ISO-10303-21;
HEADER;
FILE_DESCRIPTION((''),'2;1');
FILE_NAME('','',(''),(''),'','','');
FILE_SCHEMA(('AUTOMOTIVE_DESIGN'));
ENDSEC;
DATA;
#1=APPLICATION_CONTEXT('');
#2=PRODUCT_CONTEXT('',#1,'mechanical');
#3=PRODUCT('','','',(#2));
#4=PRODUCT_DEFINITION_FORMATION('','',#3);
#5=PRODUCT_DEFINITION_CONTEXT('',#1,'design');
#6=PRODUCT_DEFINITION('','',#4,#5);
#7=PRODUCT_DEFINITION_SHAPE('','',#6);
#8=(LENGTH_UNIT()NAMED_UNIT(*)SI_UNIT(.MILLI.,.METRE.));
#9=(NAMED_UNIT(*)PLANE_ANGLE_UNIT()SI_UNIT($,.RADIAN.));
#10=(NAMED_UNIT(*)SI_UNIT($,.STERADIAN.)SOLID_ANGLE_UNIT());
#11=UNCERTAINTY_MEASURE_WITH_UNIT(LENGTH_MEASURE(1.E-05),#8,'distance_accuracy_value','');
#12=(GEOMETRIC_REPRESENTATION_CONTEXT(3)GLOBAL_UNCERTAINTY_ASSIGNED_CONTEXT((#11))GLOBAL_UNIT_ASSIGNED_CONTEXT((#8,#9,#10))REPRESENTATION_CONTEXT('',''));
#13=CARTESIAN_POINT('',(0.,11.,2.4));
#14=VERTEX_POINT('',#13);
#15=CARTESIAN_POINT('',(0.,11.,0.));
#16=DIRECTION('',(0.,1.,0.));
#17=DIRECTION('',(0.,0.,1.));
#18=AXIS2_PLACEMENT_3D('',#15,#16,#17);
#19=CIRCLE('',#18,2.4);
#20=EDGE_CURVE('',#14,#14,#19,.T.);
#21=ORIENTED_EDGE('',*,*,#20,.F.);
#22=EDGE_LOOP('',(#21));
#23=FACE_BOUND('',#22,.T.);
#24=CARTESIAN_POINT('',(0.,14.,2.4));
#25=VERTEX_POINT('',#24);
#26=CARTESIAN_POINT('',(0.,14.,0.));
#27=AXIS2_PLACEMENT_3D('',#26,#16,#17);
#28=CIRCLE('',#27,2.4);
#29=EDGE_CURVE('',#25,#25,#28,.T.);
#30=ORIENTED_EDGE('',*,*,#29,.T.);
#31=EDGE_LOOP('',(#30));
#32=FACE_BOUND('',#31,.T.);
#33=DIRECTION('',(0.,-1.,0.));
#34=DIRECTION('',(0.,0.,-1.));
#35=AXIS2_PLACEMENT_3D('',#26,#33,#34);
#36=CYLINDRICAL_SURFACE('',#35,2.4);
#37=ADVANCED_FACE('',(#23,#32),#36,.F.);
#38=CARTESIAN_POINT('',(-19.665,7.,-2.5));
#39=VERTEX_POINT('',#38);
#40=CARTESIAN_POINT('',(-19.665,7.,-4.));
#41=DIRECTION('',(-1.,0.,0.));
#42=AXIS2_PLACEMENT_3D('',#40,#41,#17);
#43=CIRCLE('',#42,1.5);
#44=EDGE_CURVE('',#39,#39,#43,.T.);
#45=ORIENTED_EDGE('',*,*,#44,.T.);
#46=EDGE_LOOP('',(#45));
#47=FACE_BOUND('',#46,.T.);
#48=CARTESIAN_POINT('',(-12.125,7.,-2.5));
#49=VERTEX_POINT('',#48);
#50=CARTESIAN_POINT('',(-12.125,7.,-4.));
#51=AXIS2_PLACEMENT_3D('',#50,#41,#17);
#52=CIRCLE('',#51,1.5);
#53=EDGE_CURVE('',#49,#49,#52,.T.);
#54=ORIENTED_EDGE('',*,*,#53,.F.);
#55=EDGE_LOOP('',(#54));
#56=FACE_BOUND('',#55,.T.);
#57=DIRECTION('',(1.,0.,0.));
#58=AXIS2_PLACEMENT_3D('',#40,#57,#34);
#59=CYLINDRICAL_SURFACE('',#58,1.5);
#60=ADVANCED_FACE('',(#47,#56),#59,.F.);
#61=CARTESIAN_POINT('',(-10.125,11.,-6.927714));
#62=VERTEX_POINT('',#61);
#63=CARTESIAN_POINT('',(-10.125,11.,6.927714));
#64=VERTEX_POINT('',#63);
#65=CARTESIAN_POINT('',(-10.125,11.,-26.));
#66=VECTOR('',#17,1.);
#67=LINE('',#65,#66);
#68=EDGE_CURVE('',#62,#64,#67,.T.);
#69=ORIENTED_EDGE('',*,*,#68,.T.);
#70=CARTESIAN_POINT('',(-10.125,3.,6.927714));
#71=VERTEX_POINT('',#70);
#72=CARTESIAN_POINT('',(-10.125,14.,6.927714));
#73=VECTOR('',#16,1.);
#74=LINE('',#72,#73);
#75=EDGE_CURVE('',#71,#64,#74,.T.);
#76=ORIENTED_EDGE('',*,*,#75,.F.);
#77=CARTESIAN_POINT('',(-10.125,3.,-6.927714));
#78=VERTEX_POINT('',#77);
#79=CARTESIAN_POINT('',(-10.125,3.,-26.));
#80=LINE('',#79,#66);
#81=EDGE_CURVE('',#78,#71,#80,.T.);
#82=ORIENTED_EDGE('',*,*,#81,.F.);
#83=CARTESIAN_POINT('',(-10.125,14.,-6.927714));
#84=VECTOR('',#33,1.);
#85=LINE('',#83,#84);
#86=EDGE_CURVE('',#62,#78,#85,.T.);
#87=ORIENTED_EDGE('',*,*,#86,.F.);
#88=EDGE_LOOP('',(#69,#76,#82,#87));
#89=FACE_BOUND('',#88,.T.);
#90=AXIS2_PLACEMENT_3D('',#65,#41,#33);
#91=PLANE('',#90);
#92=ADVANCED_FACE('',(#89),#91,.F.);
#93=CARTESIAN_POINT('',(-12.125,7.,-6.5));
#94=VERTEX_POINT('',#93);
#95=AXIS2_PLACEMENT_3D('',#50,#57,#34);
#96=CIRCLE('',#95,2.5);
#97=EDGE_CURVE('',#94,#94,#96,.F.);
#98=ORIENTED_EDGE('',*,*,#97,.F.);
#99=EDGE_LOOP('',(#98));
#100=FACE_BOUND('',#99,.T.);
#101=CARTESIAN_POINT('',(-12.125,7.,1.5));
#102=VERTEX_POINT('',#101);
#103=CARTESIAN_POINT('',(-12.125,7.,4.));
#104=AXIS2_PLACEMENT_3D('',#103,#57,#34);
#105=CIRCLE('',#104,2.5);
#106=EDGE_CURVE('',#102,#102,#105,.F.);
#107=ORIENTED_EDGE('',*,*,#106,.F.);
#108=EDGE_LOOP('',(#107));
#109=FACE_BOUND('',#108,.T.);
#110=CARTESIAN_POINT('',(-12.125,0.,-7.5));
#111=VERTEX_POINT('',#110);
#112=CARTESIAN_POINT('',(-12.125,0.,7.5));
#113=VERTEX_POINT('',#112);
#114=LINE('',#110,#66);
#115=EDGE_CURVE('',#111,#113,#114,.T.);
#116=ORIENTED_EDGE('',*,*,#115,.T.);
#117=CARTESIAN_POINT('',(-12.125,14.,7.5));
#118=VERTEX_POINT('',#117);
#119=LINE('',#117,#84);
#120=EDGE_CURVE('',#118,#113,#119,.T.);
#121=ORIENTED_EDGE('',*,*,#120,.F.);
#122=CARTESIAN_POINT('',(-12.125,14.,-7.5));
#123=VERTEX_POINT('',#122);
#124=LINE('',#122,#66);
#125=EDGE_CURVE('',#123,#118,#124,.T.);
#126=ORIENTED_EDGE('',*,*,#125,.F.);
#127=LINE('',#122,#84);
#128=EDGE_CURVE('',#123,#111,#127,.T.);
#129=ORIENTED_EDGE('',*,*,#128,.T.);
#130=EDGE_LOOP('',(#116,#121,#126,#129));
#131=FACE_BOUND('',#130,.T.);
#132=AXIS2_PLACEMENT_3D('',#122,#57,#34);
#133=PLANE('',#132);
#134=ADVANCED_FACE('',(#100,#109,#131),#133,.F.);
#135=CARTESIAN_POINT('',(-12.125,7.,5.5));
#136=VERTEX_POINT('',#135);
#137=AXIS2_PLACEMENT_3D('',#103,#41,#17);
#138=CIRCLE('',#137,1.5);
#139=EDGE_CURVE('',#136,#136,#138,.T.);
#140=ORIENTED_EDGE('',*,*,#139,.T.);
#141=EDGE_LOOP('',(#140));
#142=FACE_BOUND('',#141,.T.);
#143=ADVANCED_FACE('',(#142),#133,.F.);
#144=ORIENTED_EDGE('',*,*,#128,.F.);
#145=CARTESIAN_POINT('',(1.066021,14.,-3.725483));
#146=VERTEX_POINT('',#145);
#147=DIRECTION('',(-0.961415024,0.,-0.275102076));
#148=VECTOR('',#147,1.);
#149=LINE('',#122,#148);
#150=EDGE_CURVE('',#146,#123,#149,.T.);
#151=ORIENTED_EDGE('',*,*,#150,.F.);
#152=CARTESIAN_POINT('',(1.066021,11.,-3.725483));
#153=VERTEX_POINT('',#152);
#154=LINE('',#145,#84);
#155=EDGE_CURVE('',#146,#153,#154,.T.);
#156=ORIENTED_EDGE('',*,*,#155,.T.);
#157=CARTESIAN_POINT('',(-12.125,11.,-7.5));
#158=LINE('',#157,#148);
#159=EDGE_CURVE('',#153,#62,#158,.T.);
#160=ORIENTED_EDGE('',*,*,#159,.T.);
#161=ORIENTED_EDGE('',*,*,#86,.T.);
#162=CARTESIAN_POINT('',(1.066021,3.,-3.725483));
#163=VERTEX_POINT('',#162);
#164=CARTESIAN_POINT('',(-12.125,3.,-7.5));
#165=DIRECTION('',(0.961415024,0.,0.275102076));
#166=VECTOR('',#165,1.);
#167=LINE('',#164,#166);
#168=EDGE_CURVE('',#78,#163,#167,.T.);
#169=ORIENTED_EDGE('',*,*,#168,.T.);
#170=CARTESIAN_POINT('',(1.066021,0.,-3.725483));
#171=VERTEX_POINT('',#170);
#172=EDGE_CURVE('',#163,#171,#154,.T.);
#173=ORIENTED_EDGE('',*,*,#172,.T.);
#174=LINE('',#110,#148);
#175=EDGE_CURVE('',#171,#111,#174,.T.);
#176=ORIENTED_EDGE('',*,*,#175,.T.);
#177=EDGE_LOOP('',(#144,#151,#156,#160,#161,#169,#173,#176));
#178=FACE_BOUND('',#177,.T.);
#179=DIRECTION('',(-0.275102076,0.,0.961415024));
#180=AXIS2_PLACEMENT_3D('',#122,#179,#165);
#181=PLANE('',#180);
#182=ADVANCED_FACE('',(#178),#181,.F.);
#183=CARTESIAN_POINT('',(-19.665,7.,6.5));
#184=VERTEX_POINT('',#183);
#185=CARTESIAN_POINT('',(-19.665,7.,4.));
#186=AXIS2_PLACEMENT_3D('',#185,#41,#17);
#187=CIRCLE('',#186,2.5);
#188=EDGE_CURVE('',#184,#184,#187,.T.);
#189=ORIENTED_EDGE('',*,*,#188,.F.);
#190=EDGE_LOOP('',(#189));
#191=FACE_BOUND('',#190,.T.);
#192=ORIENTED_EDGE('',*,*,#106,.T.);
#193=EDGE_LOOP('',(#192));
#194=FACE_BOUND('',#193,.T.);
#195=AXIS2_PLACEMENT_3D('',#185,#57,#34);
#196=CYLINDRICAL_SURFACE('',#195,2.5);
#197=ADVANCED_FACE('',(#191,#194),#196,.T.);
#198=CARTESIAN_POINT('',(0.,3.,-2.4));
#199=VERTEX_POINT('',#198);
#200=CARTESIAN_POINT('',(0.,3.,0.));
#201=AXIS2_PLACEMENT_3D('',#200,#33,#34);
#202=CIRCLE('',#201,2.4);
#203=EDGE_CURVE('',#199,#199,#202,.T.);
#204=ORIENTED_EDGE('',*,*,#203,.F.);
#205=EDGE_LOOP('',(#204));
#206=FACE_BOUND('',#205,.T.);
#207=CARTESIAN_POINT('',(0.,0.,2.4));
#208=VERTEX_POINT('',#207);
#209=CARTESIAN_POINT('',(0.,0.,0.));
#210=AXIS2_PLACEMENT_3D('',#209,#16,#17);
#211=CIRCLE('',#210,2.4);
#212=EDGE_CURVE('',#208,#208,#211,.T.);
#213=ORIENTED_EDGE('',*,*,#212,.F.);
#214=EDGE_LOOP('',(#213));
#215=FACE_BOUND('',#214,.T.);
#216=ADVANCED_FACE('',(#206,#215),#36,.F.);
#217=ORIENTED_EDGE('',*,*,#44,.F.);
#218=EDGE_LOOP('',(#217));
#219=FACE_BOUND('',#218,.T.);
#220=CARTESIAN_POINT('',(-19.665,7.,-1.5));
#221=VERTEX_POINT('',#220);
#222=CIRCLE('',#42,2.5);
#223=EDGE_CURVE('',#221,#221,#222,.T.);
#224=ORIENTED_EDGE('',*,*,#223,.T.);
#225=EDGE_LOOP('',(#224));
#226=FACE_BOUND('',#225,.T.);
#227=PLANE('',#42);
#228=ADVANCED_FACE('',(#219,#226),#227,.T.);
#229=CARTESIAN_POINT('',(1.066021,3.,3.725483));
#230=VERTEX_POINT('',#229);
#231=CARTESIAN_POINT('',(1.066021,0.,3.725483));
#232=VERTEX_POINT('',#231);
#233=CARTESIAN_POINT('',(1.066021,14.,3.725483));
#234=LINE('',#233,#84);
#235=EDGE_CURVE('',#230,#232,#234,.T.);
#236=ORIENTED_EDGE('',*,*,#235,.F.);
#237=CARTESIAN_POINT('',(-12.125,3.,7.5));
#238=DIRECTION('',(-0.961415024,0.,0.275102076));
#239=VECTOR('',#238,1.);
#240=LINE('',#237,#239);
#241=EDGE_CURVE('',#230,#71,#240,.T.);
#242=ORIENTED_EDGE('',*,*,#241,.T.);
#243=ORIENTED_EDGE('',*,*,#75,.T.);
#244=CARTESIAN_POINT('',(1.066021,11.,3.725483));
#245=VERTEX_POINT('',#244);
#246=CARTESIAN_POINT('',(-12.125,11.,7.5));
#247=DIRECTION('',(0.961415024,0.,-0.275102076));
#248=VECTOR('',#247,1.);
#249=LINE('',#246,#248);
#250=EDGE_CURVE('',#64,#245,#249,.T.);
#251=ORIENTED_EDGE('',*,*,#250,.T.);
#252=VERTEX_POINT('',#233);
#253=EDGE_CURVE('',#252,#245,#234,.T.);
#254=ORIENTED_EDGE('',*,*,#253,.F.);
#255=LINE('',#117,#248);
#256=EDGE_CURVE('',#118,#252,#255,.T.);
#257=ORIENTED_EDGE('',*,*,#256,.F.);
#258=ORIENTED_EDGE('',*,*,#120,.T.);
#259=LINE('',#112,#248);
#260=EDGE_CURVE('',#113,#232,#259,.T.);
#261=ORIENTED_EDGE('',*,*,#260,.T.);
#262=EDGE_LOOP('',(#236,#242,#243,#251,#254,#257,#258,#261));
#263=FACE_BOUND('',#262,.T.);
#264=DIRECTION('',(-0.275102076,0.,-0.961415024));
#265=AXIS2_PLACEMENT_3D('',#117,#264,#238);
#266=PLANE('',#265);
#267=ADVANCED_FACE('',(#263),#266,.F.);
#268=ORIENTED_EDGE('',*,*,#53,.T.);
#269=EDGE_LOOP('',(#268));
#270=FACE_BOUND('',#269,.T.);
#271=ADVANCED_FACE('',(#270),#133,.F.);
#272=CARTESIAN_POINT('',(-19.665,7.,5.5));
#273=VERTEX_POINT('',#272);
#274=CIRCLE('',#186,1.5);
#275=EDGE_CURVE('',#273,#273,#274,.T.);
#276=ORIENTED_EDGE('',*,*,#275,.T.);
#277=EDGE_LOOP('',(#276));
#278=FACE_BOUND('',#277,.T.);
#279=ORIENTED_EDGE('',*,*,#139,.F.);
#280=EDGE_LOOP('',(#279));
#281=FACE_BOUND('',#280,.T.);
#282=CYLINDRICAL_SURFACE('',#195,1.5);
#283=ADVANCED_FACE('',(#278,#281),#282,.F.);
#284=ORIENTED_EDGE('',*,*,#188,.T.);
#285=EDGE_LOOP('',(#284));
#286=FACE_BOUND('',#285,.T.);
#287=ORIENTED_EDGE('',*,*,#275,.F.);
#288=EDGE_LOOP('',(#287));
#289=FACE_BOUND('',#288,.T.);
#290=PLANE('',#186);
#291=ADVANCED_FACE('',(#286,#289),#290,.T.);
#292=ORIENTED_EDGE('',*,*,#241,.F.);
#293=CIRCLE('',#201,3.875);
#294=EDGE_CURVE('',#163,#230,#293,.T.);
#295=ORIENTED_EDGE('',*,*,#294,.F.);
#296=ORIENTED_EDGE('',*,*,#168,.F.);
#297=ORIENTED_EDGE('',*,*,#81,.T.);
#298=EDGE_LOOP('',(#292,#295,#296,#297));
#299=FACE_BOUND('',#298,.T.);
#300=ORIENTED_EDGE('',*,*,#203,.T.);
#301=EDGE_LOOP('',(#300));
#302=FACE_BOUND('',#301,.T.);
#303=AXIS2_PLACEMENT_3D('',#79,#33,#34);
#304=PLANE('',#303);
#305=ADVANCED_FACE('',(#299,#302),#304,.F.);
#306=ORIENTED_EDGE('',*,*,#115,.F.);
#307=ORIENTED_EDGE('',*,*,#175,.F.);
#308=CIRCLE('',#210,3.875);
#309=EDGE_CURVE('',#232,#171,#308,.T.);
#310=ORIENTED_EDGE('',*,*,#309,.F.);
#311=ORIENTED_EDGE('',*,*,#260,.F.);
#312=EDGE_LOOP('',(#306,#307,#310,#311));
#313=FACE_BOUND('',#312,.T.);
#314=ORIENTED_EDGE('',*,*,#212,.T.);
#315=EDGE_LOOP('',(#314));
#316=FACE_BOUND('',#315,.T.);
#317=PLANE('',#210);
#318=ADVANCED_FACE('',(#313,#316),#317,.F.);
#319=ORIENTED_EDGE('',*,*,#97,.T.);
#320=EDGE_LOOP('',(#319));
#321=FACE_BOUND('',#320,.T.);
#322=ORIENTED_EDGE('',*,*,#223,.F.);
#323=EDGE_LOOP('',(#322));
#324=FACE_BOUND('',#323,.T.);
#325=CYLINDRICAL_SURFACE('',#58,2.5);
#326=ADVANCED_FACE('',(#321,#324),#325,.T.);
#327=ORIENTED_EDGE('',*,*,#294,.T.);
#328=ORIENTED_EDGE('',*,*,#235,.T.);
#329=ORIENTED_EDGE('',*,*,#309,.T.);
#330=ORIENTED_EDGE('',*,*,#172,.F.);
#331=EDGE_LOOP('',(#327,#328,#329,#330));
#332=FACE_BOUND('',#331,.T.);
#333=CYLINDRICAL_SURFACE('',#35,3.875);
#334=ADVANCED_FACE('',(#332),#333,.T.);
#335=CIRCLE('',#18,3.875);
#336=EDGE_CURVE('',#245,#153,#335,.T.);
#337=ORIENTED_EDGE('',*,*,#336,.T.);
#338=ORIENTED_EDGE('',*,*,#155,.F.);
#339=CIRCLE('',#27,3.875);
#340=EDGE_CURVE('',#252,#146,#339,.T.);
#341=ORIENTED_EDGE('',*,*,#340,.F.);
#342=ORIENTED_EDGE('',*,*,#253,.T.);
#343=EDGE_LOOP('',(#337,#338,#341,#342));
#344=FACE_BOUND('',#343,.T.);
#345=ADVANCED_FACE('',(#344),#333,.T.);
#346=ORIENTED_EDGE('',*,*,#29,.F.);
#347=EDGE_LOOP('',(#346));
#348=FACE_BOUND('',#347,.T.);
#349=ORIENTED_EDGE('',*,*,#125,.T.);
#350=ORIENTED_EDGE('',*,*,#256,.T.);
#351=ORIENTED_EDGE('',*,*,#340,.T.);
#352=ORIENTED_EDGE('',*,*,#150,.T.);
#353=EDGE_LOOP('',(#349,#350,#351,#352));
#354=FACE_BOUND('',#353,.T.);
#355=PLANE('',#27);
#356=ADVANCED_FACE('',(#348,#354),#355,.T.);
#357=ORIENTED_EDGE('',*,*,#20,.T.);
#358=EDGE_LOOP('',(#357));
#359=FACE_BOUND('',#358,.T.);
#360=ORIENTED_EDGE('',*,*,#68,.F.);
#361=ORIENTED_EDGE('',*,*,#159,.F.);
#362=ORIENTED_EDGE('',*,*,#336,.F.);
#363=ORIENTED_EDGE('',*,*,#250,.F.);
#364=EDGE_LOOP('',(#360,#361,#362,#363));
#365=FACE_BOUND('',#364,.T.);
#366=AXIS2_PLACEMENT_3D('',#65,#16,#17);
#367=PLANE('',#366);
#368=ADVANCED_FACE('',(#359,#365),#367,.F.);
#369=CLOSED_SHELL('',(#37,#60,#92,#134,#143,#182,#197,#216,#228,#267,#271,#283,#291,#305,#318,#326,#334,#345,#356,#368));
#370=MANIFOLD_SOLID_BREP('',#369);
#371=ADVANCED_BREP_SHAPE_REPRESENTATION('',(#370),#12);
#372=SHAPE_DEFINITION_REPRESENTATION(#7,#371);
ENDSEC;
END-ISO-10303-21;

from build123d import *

# Parameters (mm, degrees)
SKETCH1_R           = 2.4
BOSS_EXTRUDE1_DEPTH = 14
SKETCH3_W           = 16.77722104
SKETCH3_H           = 8
CUT_EXTRUDE2_DEPTH  = 26
SKETCH4_R           = 2.5
SKETCH4_R_2         = 1.5
BOSS_EXTRUDE2_DEPTH = 7.54


with BuildPart() as part:
    # Sketch1 → Boss-Extrude1 (new body)
    with BuildSketch(Plane(origin=(0, 0, 0), x_dir=(1, 0, 0), z_dir=(0, 1, 0))):
        with BuildLine():
            Line((-12.125, 7.5), (-12.125, -7.5))
            Line((-12.125, -7.5), (1.066020546, -3.725483216))
            ThreePointArc((1.066020546, -3.725483216), (3.875, 0), (1.066020546, 3.725483216))
            Line((1.066020546, 3.725483216), (-12.125, 7.5))
        make_face()
        with Locations(Location((0, 0, 0), (0, 0, 270))):
            Circle(SKETCH1_R, mode=Mode.SUBTRACT)
    extrude(amount=BOSS_EXTRUDE1_DEPTH)

    # Sketch3 → Cut-Extrude2 (cut, symmetric)
    with BuildSketch(Plane.XY):
        with Locations((-1.73638948, 7)):
            Rectangle(SKETCH3_W, SKETCH3_H)
    extrude(amount=CUT_EXTRUDE2_DEPTH, both=True, mode=Mode.SUBTRACT)

    # Sketch4 → Boss-Extrude2 (add)
    # profile 1 of 2: a face of its own
    with BuildSketch(Plane.ZY.offset(12.125)):
        with Locations(Location((4, 7, 0), (0, 0, 180))):
            Circle(SKETCH4_R)
        with Locations((4, 7)):
            Circle(SKETCH4_R_2, mode=Mode.SUBTRACT)
    # profile 2 of 2: a face of its own
    with BuildSketch(Plane.ZY.offset(12.125)):
        with Locations(Location((-4, 7, 0), (0, 0, 180))):
            Circle(SKETCH4_R)
        with Locations((-4, 7)):
            Circle(SKETCH4_R_2, mode=Mode.SUBTRACT)
    extrude(amount=BOSS_EXTRUDE2_DEPTH)


solid = part.part
